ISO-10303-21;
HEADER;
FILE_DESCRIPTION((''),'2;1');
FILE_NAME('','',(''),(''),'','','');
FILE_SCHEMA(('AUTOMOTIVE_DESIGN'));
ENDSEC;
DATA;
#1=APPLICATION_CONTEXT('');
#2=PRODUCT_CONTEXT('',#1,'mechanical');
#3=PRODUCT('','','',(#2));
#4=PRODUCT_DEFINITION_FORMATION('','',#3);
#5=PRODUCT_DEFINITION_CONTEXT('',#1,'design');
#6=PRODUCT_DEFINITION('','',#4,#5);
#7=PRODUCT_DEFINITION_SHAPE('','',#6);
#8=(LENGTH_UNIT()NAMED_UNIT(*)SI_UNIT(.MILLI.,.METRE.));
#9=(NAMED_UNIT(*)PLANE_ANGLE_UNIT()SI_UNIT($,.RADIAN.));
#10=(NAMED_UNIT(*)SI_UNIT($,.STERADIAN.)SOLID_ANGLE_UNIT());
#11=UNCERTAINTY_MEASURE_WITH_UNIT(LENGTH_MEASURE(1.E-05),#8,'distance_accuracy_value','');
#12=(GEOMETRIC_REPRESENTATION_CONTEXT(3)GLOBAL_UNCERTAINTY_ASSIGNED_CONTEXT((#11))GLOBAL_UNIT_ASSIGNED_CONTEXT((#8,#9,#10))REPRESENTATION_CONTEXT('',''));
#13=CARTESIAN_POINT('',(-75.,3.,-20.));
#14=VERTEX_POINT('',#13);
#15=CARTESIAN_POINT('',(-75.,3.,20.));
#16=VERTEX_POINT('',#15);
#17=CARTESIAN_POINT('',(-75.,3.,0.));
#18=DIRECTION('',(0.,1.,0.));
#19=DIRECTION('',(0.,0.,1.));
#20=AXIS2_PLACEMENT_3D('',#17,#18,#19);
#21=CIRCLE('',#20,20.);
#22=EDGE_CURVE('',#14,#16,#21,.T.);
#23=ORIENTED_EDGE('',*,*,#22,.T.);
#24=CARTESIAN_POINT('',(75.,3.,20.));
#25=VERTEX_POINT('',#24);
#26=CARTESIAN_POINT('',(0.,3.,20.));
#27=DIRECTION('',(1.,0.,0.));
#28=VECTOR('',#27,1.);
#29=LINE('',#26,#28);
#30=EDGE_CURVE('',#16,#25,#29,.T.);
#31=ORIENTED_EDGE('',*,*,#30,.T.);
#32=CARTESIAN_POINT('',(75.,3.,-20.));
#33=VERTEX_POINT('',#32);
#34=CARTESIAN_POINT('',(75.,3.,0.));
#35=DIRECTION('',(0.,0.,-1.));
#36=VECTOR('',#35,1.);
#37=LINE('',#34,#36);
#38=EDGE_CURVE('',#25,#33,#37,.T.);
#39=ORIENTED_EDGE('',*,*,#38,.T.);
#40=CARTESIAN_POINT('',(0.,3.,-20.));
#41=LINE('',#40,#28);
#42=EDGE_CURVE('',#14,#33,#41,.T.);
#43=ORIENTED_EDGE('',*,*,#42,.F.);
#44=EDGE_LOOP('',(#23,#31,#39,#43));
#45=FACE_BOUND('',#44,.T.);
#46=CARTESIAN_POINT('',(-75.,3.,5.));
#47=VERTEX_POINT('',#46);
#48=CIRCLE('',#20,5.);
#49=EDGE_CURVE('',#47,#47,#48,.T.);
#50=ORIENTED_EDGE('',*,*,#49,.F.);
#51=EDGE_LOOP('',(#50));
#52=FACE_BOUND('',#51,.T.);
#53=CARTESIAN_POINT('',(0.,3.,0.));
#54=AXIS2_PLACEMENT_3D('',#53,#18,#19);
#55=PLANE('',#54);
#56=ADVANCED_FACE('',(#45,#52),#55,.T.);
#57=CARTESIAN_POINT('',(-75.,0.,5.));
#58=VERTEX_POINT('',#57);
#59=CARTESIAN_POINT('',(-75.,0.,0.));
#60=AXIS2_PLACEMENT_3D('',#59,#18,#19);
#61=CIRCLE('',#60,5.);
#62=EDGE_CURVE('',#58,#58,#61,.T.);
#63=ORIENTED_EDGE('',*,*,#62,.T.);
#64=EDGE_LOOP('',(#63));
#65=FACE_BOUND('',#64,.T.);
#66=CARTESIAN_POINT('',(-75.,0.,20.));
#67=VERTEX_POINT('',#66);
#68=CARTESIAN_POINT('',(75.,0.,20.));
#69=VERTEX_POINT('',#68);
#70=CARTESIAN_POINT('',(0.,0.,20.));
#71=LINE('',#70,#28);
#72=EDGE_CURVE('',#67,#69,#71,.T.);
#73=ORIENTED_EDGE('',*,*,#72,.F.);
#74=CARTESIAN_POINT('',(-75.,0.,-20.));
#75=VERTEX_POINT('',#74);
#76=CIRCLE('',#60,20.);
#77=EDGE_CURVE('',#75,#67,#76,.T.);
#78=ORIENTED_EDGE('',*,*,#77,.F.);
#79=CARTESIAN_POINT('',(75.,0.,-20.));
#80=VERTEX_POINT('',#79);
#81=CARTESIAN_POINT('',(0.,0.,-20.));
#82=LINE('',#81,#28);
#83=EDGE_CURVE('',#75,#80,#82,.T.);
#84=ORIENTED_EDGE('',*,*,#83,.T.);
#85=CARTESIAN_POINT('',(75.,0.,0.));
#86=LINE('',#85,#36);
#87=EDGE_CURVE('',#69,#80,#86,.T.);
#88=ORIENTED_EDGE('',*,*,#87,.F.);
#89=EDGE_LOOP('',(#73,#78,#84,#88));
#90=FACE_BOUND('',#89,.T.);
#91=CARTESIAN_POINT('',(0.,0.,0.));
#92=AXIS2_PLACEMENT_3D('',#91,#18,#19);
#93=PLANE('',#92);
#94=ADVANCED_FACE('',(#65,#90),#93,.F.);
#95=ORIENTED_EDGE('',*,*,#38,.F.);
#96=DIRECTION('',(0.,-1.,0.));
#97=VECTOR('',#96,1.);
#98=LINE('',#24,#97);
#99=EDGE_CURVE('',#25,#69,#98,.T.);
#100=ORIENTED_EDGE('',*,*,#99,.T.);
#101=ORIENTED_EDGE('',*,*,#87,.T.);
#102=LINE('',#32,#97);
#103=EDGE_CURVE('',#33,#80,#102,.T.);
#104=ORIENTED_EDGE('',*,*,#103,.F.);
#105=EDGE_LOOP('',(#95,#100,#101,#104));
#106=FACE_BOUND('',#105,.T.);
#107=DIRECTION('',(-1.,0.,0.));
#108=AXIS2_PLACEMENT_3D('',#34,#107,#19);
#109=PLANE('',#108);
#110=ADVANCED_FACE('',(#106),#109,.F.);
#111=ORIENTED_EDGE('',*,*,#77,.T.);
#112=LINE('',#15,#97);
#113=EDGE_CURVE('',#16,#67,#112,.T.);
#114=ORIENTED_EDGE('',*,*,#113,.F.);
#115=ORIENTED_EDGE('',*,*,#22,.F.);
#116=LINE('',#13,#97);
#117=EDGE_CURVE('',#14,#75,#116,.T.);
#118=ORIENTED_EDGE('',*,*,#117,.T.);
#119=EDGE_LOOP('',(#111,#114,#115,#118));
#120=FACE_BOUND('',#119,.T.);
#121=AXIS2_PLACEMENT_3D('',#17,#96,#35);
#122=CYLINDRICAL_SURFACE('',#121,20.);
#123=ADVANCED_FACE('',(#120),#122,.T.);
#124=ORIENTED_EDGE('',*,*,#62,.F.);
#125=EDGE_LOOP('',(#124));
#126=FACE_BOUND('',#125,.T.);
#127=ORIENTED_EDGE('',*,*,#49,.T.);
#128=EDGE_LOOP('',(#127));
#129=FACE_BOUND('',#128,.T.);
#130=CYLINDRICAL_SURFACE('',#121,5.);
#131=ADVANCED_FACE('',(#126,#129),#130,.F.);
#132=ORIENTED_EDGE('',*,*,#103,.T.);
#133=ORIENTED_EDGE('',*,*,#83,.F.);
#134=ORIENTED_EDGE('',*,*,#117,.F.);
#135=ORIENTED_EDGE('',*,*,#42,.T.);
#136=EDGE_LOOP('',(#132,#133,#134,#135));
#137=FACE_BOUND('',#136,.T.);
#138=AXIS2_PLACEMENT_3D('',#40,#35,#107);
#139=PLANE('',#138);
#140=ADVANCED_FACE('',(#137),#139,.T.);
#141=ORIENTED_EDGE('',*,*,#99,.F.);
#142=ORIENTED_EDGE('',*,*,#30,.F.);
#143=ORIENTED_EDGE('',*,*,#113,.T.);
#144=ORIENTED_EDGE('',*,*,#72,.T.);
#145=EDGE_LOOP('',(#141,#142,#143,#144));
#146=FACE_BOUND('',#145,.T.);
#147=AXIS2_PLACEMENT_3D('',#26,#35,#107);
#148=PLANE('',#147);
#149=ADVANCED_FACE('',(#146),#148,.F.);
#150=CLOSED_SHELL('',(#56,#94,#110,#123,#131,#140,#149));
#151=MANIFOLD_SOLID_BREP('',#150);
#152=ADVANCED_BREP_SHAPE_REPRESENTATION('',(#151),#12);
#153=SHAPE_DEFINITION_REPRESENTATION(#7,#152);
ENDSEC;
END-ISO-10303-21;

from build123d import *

# Parameters (mm, degrees)
BOSS_EXTRUDE1_DEPTH = 3


with BuildPart() as part:
    # Sketch1 → Boss-Extrude1 (new body)
    with BuildSketch(Plane(origin=(0, 0, 0), x_dir=(1, 0, 0), z_dir=(0, 1, 0))):
        with BuildLine():
            ThreePointArc((-75, 20), (-95, 0), (-75, -20))
            Line((-75, -20), (-75, -5))
            ThreePointArc((-75, -5), (-80, 0), (-75, 5))
            Line((-75, 5), (-75, 20))
        make_face()
        with BuildLine():
            Line((-75, -5), (-75, -20))
            ThreePointArc((-75, -20), (-60.857864376, -14.142135624), (-55, 0))
            ThreePointArc((-55, 0), (-60.857864376, 14.142135624), (-75, 20))
            Line((-75, 20), (-75, 5))
            ThreePointArc((-75, 5), (-71.464466094, 3.535533906), (-70, 0))
            ThreePointArc((-70, 0), (-71.464466094, -3.535533906), (-75, -5))
        make_face()
        with BuildLine():
            ThreePointArc((-55, 0), (-60.857864376, -14.142135624), (-75, -20))
            Line((-75, -20), (75, -20))
            Line((75, -20), (75, 20))
            Line((75, 20), (-75, 20))
            ThreePointArc((-75, 20), (-60.857864376, 14.142135624), (-55, 0))
        make_face()
    extrude(amount=BOSS_EXTRUDE1_DEPTH)


solid = part.part
